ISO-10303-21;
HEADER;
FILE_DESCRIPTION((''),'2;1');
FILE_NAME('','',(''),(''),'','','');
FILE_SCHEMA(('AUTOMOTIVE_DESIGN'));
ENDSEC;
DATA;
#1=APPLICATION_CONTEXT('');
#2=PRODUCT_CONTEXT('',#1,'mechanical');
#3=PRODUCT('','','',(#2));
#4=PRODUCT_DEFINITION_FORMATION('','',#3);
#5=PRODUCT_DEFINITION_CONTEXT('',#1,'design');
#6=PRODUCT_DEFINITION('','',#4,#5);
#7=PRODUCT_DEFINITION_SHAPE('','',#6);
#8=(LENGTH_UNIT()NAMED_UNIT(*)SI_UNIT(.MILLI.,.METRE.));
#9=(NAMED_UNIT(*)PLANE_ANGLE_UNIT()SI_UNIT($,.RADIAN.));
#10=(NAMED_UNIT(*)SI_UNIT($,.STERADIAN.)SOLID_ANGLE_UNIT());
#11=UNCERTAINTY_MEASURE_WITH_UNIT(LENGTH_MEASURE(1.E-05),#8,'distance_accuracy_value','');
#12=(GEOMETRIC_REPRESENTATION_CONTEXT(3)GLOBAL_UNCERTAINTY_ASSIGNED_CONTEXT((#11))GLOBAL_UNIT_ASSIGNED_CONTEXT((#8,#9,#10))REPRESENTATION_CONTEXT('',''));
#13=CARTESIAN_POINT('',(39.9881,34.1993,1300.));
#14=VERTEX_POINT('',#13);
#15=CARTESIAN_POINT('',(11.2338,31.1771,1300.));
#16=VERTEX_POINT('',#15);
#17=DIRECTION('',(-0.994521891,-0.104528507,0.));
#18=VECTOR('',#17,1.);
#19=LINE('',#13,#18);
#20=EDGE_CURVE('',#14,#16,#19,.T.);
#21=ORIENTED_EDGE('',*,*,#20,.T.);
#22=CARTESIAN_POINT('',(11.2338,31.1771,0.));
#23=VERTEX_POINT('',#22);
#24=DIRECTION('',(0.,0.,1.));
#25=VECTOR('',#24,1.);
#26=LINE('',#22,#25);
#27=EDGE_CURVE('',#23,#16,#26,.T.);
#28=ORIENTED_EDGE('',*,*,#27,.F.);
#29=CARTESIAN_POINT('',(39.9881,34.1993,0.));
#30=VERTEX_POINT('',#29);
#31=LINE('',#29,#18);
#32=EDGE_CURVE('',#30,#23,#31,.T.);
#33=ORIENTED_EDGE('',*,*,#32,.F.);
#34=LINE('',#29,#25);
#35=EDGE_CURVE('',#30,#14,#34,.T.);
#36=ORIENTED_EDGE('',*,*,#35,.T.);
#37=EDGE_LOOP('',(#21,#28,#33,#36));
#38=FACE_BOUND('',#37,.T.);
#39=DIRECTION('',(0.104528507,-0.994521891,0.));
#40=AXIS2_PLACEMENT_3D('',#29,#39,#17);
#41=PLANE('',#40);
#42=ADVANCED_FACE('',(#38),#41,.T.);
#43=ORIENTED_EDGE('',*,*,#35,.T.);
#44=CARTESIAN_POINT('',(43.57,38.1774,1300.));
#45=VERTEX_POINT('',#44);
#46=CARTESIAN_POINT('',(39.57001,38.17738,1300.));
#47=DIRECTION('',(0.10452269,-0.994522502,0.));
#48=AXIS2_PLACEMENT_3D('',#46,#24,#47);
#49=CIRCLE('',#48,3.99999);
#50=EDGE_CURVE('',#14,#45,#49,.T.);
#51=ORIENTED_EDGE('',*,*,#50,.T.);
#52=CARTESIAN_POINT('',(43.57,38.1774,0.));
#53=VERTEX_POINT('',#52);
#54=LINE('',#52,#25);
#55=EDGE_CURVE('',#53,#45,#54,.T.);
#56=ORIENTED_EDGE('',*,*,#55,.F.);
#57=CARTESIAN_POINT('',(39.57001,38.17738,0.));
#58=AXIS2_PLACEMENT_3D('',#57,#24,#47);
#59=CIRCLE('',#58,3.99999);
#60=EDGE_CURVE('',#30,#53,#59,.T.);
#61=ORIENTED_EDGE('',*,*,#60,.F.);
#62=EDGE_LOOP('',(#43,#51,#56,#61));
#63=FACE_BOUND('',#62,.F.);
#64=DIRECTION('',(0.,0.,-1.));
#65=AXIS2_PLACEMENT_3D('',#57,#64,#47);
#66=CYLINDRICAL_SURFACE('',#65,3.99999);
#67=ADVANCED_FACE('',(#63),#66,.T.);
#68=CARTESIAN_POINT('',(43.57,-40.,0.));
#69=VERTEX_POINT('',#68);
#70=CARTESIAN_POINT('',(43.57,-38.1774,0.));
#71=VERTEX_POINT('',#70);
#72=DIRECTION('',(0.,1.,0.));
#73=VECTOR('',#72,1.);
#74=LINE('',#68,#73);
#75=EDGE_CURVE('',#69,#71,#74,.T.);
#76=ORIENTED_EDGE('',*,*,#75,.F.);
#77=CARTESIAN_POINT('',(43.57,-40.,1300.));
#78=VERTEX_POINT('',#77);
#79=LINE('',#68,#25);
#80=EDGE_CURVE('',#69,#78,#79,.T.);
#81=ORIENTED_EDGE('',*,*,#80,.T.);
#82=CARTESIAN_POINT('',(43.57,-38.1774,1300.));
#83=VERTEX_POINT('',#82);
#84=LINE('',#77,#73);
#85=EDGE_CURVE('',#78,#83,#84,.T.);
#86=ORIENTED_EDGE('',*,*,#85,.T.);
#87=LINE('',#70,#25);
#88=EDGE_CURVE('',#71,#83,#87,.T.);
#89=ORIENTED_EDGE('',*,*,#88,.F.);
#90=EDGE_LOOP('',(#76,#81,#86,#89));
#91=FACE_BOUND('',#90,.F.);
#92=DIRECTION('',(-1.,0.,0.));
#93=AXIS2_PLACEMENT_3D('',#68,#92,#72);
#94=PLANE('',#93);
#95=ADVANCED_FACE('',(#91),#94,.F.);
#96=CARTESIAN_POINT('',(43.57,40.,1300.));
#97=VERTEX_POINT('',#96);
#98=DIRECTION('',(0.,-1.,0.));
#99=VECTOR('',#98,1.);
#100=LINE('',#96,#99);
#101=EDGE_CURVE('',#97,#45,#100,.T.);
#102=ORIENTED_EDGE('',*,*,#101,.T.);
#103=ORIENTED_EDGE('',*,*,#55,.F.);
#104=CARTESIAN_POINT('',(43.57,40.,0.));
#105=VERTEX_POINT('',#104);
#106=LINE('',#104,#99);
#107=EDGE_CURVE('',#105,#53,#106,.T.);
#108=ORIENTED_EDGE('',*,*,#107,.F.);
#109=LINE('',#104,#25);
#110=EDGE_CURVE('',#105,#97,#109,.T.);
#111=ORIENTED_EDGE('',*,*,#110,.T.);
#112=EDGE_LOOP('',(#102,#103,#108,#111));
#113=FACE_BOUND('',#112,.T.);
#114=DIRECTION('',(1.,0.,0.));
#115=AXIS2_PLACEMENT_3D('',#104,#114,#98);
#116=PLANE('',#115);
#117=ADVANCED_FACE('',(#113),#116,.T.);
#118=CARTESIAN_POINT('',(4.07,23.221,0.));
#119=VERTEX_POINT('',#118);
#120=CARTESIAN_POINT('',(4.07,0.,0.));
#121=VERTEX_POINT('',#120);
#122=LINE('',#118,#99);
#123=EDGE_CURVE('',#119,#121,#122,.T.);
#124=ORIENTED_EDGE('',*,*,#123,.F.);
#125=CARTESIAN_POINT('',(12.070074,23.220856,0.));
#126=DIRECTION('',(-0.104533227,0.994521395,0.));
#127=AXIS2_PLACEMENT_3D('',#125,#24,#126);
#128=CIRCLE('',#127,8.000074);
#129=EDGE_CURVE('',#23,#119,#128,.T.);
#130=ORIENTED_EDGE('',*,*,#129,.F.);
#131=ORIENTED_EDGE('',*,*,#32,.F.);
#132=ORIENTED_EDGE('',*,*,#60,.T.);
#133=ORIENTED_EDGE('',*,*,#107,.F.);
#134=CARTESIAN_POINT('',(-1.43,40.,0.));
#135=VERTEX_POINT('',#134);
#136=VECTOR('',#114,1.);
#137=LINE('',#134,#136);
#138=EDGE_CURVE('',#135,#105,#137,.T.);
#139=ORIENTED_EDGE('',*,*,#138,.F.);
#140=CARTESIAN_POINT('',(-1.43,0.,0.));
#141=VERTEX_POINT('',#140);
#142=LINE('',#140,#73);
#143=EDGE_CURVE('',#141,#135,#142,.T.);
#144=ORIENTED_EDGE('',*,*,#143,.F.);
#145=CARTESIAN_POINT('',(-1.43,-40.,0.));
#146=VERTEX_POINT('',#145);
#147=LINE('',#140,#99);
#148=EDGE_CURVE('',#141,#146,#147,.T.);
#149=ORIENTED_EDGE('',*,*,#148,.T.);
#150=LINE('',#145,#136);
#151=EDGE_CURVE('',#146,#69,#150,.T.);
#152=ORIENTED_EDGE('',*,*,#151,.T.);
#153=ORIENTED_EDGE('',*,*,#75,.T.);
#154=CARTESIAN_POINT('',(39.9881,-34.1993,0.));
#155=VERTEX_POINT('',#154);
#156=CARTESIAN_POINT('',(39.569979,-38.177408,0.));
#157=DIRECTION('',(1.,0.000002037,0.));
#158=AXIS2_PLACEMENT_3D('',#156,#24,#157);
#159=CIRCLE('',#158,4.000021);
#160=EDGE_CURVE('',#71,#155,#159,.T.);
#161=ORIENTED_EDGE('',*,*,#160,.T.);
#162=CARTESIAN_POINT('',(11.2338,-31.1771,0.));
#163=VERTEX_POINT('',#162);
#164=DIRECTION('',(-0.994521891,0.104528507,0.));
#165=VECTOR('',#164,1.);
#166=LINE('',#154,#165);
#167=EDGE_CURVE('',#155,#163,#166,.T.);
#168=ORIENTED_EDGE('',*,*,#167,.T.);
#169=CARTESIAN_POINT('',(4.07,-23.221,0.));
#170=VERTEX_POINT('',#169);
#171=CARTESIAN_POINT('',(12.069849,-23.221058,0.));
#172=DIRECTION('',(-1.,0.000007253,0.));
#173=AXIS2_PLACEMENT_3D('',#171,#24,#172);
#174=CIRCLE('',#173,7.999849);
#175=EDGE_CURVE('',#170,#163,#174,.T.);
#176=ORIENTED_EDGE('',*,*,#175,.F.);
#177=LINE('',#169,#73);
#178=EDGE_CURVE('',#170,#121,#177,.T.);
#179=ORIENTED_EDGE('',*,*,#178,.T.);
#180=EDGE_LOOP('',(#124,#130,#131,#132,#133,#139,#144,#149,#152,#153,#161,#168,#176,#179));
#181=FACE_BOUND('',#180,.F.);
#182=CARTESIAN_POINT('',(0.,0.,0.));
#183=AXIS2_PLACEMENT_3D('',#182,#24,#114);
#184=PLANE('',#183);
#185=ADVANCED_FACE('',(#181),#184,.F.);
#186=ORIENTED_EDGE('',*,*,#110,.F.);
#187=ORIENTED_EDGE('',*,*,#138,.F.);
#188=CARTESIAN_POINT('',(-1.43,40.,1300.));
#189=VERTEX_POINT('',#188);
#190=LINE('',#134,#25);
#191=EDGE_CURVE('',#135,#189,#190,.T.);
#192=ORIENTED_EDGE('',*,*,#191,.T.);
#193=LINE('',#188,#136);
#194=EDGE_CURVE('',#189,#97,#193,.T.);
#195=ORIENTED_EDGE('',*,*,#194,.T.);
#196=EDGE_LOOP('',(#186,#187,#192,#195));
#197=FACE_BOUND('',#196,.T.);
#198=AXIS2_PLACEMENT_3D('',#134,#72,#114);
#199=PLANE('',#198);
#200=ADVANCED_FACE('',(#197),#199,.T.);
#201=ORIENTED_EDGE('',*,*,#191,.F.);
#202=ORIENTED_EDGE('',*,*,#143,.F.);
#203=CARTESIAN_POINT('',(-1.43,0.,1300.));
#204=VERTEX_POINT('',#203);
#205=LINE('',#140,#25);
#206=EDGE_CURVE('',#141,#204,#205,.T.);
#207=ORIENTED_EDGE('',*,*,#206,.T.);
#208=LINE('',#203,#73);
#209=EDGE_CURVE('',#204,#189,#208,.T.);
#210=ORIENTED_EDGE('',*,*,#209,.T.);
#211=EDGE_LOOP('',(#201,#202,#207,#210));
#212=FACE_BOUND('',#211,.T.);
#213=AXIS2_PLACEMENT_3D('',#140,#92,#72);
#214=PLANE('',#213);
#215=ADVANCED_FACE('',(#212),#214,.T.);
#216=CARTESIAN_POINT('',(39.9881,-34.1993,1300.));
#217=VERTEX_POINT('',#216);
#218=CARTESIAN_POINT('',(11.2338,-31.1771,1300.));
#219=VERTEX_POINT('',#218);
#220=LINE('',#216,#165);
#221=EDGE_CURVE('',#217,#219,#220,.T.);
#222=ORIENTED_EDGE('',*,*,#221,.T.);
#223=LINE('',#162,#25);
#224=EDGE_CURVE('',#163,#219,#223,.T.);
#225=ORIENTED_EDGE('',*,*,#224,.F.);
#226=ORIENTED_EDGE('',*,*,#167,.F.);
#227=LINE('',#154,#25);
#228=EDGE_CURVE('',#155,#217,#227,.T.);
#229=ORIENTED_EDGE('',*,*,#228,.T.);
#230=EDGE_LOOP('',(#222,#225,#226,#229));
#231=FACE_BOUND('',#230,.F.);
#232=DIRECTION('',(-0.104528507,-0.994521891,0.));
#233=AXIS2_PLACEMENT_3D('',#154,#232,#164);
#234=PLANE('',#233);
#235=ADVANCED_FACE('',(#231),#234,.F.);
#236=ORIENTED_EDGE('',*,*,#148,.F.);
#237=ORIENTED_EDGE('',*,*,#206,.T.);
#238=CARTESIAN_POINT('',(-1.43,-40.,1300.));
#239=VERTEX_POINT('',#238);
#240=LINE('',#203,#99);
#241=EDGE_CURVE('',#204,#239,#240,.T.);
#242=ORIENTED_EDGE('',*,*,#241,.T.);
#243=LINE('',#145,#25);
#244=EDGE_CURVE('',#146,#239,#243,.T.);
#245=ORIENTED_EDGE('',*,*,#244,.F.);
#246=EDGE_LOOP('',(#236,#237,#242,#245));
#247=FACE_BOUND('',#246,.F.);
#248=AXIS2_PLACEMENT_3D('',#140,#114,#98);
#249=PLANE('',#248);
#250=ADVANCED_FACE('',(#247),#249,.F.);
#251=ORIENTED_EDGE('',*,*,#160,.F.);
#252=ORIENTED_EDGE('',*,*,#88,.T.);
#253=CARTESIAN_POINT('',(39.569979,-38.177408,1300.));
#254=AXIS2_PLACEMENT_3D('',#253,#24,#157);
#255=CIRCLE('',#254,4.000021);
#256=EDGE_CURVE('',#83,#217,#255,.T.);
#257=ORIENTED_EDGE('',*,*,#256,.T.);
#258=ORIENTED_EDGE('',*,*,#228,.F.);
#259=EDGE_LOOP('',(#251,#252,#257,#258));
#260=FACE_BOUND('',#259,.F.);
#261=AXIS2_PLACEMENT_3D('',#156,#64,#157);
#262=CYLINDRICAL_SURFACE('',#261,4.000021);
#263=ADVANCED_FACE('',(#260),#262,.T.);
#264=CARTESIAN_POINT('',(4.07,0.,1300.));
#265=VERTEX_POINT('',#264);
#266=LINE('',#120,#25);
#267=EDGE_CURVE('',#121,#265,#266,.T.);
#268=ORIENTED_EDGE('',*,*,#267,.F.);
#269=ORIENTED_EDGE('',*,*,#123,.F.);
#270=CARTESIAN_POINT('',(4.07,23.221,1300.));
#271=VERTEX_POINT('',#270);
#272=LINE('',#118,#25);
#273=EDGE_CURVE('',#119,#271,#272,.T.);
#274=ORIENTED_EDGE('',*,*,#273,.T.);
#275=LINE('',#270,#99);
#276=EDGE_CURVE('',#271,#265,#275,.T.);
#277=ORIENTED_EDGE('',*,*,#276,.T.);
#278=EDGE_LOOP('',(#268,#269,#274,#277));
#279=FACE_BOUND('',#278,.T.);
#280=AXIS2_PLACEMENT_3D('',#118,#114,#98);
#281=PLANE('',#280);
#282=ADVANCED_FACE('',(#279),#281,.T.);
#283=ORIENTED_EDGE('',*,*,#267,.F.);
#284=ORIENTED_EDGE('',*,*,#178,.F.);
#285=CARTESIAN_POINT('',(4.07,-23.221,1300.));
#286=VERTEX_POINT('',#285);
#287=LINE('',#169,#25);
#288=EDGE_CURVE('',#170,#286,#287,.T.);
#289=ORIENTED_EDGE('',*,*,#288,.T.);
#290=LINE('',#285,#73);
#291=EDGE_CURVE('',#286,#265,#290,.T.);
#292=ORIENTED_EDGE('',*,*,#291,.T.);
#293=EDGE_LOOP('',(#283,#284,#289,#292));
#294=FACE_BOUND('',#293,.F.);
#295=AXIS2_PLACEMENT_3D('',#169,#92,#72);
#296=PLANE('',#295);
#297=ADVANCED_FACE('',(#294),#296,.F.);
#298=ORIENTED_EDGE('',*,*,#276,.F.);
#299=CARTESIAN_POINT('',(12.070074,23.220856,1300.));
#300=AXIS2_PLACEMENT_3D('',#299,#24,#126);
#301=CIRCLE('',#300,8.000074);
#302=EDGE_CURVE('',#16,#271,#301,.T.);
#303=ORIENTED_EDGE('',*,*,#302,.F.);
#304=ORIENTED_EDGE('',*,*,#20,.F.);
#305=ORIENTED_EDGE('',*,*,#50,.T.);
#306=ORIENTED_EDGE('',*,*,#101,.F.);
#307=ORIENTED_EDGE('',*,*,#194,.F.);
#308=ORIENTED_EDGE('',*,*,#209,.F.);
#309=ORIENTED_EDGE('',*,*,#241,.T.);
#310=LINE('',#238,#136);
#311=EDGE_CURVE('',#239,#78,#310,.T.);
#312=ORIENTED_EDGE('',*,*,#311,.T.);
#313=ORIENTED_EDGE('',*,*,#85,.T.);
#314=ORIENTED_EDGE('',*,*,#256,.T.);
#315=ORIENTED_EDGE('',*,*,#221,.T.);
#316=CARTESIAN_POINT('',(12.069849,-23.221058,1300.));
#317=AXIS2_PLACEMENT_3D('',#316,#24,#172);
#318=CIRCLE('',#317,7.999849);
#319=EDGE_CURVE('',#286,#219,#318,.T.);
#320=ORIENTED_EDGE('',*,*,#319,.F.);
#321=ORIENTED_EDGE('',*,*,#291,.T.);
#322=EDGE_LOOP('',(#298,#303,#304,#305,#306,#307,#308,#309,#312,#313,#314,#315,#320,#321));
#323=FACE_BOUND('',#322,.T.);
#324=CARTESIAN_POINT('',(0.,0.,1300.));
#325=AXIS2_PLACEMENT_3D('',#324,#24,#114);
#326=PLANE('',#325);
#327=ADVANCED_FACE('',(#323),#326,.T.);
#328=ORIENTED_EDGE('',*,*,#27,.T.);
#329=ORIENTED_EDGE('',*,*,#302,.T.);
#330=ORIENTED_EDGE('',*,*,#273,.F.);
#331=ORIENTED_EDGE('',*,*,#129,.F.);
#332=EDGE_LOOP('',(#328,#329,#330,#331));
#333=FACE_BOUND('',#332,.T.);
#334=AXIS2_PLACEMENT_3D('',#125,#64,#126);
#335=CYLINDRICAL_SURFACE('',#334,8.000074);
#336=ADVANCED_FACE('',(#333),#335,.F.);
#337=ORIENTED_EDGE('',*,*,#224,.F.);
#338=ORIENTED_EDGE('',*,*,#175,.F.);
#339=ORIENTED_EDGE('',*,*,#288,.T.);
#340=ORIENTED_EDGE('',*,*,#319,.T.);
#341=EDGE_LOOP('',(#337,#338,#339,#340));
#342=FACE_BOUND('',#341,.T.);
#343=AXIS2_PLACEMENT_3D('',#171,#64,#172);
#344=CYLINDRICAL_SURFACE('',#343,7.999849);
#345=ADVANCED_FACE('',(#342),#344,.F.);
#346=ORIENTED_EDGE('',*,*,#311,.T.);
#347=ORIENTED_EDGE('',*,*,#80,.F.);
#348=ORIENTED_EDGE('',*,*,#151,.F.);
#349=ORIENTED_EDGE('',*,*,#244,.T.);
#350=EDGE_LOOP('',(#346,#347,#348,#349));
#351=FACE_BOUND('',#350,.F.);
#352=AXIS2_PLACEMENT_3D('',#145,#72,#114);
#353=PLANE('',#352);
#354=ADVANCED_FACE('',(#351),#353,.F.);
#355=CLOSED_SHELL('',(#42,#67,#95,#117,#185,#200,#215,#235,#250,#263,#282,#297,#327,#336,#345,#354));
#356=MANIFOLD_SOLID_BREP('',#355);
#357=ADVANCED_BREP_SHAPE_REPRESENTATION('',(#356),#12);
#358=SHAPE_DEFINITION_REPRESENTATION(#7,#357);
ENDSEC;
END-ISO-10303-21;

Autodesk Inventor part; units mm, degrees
ref_plane "YZ Plane" through (0, 0, 0) normal (1, 0, 0) x (0, 1, 0)
ref_plane "Start plane" through (0, 0, 0) normal (0, 0, 1) x (1, 0, 0)
ref_plane "End plane" through (0, 0, 1300) normal (0, 0, 1) x (1, 0, 0)
sketch "Sketch" plane through (0, 0, 0) normal (0, 0, 1) x (1, 0, 0)
  line L0 (-1.43, 0) -> (-1.43, 40)
  line L1 (-1.43, 40) -> (43.57, 40)
  line L2 (43.57, 40) -> (43.57, 38.1774)
  line L3 (39.9881, 34.1993) -> (11.2338, 31.1771)
  line L4 (4.07, 23.221) -> (4.07, 0)
  line L5 (4.07, 0) -> (-1.43, 0) construction
  line L6 (23.82, 40) -> (23.82, 32.5) construction
  line L7 (43.57, 34.5758) -> (43.57, 32.5) construction
  line L8 (43.57, 32.5) -> (23.82, 32.5) construction
  line L9 (0, 15) -> (0, -27) construction
  line L10 (-5.539, 0) -> (16.0067, 0) construction
  line L11 (-1.43, 0) -> (-1.43, -40)
  line L12 (-1.43, -40) -> (43.57, -40)
  line L13 (43.57, -40) -> (43.57, -38.1774)
  line L14 (39.9881, -34.1993) -> (11.2338, -31.1771)
  line L15 (4.07, -23.221) -> (4.07, 0)
  arc A0 (11.2338, 31.1771) -> (4.07, 23.221) centre (12.07, 23.221) ccw
  arc A1 (4.07, -23.221) -> (11.2338, -31.1771) centre (12.07, -23.221) ccw
  arc A2 (39.9881, 34.1993) -> (43.57, 38.1774) centre (39.57, 38.1774) ccw
  arc A3 (43.57, -38.1774) -> (39.9881, -34.1993) centre (39.57, -38.1774) ccw
  line L16 (0, 56) -> (0, -56) construction
  line L17 (-15.5135, 0) -> (54.308, 0) construction
  point P0 (4.07, 30.4242)
  point P1 (43.57, -34.5758)
  point P2 (4.07, -30.4242)
  point P3 (23.82, -40)
  point P4 (23.82, -32.5)
  dimension "d0" = 5.5
  dimension "d1" = 40
  dimension "d2" = 45
  dimension "d3" = 7.5
  dimension "d4" = 19.75
  dimension "d5" = 2.0758
  dimension "d23" = 8
  dimension "d24" = 4
  dimension "d25" = 1.43
extrude "Body" add sketch "Sketch" along normal up to surface (1300 mm away) from surface at 0
sketch "Sketch3" plane through (0, 0, 0) normal (0, 0, 1) x (1, 0, 0)
  line L0 (0, 0) -> (10, 0)
ref_plane "Work Plane3" through (0, 0, 0) normal (0, -1, 0) x (1, 0, 0)
sketch "Sketch4" plane through (0, 0, 0) normal (0, -1, 0) x (1, 0, 0)
  line L0 (-2, 0) -> (12, 0) projected
  line L1 (-2, 1300) -> (12, 1300) projected
  dimension "d29" = 1300
equation "\"d0\" = G_T"
equation "\"d1\" = 0.5 * G_H"
equation "\"d2\" = G_W"
equation "\"d3\" = G_T1"
equation "\"d4\" = G_C"
equation "\"d23\" = G_IR"
equation "\"d24\" = G_ER"
equation "\"d25\" = ex"
equation "\"d6\" = G_L"
equation "\"G_W\" = 45"
equation "\"G_T\" = 5.5"
equation "\"G_T1\" = 7.5"
equation "\"G_NG\" = 0.105104"
equation "\"G_ER\" = 4"
equation "\"G_IR\" = 8"
equation "\"G_C\" = 19.75"
equation "\"G_L\" = d29"
equation "\"ex\" = 1.43"
equation "\"G_OFFSET_START\" = 0"
equation "\"G_OFFSET_END\" = 0"
equation "\"G_H\" = 80"
properties part number "ISO 657/11 - CH 80 x 8 - 1300" material "Steel, Mild"
